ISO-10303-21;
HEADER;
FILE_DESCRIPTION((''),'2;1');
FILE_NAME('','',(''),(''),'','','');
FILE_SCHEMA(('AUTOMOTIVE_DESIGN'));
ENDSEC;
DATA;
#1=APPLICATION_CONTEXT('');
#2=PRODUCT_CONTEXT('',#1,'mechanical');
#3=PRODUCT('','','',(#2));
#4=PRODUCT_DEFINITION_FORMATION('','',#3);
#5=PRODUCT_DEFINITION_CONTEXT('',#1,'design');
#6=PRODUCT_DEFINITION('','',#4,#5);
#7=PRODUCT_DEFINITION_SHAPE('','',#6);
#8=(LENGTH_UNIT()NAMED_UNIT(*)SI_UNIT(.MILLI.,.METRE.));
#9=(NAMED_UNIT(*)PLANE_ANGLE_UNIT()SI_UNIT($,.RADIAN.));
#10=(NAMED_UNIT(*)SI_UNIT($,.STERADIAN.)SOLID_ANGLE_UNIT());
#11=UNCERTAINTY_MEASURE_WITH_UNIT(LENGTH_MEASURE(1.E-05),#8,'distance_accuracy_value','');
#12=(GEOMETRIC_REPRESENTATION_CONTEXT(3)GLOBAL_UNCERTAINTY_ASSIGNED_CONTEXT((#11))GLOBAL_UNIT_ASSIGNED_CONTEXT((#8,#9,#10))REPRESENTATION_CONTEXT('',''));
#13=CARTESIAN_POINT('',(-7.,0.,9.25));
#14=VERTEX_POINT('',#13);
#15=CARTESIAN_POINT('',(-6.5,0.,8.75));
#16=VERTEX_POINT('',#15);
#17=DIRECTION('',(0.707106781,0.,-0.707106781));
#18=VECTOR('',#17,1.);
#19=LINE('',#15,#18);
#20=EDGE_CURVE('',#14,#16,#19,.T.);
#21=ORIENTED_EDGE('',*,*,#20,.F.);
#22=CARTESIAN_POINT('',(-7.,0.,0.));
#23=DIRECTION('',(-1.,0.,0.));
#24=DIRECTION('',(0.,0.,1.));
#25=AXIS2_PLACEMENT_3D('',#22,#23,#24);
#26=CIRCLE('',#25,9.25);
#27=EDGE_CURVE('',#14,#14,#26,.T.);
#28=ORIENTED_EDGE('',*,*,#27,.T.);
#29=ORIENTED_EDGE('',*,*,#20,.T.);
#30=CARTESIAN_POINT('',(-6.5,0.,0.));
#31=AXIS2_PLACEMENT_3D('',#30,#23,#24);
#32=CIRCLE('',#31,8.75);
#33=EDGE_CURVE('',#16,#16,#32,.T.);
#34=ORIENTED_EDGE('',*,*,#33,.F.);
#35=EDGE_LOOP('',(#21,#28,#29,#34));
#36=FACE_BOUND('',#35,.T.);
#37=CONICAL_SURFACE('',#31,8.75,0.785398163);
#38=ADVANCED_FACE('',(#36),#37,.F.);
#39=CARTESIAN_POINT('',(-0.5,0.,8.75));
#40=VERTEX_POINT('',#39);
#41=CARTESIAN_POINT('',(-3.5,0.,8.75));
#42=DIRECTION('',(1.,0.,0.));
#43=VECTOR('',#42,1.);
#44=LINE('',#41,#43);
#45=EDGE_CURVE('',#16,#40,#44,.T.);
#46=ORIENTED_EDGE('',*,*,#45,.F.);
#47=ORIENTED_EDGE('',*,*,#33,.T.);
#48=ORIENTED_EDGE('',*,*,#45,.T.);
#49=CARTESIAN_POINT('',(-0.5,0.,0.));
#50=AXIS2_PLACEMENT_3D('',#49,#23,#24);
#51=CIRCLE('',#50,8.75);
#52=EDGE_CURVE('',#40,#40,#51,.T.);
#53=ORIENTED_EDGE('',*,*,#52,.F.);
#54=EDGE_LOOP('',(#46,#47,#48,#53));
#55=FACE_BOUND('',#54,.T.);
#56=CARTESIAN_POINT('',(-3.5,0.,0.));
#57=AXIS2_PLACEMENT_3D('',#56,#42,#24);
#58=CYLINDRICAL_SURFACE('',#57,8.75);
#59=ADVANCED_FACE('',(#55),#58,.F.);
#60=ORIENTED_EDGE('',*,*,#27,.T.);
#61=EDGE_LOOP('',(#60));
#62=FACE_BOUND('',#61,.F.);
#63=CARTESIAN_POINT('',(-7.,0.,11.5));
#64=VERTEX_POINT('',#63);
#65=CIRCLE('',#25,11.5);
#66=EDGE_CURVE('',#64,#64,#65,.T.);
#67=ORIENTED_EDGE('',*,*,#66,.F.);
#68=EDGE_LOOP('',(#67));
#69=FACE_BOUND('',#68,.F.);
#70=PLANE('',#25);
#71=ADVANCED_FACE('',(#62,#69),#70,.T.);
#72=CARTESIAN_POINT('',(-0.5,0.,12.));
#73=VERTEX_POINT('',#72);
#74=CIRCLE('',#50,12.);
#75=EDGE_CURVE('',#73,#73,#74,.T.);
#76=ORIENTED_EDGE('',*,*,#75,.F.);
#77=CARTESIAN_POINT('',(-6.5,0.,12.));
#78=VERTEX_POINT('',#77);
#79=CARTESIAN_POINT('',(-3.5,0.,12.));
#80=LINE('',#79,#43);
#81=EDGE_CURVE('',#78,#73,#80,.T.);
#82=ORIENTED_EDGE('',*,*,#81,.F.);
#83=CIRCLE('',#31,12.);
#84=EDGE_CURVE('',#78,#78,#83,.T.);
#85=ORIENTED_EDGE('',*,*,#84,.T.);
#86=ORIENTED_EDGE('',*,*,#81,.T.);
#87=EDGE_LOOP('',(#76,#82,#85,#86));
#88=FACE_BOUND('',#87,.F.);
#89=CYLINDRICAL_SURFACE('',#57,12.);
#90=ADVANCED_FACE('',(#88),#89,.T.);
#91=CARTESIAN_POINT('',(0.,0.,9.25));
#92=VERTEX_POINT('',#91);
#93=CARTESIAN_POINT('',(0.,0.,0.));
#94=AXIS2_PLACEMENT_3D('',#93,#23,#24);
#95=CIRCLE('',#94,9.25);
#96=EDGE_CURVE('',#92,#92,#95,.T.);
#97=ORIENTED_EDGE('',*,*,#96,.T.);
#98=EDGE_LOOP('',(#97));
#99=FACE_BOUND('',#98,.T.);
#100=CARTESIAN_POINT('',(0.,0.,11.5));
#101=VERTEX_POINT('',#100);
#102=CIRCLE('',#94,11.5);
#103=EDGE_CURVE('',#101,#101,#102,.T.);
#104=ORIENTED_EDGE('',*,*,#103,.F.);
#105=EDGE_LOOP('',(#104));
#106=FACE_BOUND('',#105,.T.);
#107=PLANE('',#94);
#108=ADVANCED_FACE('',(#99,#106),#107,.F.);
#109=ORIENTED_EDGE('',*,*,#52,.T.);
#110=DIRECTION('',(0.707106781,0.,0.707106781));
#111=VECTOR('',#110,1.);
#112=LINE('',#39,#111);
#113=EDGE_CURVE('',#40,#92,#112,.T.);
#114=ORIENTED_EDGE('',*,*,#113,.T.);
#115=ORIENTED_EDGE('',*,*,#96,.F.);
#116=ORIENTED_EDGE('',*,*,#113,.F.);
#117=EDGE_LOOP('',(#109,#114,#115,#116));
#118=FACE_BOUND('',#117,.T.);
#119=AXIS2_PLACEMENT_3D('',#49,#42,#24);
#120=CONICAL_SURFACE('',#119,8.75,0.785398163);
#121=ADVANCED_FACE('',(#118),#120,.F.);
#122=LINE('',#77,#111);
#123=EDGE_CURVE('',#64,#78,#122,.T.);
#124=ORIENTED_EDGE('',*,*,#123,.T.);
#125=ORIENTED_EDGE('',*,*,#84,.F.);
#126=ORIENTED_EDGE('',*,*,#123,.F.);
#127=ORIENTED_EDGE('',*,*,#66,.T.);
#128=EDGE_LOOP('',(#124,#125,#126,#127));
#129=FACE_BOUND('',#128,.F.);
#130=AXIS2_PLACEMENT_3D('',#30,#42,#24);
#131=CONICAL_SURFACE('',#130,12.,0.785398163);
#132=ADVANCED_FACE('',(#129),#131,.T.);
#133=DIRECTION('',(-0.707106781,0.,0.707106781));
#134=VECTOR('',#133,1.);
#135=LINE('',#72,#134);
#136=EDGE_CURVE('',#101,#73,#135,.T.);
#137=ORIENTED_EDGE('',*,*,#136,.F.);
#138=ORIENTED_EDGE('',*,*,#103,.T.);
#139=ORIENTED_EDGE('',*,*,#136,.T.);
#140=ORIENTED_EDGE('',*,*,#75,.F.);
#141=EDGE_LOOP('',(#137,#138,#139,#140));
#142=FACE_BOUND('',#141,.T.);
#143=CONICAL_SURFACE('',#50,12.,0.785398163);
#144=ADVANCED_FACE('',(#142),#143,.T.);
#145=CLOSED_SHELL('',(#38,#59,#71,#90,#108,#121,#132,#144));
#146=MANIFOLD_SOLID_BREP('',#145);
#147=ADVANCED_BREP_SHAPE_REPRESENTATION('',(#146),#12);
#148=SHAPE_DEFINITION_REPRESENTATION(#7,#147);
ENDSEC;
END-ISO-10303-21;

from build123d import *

# Parameters (mm, degrees)
F0_W    = 7
F0_H    = 3.25
F2_SIZE = 0.5


with BuildPart() as f1:
    # F0 (on Front) → F1 (revolve)
    with BuildSketch(Plane.XZ):
        with Locations((-3.5, 10.375)):
            Rectangle(F0_W, F0_H)
    revolve(axis=Axis((-10.189116, 0, 0), (-1, 0, 0)))

    # F2
    f2_edges = [f1.edges().sort_by_distance(p)[0] for p in [
        (0, 0, -12),
        (0, 0, -8.75),
        (-7, 0, -12),
        (-7, 0, -8.75),
    ]]
    chamfer(f2_edges, length=F2_SIZE)


solid = f1.part
